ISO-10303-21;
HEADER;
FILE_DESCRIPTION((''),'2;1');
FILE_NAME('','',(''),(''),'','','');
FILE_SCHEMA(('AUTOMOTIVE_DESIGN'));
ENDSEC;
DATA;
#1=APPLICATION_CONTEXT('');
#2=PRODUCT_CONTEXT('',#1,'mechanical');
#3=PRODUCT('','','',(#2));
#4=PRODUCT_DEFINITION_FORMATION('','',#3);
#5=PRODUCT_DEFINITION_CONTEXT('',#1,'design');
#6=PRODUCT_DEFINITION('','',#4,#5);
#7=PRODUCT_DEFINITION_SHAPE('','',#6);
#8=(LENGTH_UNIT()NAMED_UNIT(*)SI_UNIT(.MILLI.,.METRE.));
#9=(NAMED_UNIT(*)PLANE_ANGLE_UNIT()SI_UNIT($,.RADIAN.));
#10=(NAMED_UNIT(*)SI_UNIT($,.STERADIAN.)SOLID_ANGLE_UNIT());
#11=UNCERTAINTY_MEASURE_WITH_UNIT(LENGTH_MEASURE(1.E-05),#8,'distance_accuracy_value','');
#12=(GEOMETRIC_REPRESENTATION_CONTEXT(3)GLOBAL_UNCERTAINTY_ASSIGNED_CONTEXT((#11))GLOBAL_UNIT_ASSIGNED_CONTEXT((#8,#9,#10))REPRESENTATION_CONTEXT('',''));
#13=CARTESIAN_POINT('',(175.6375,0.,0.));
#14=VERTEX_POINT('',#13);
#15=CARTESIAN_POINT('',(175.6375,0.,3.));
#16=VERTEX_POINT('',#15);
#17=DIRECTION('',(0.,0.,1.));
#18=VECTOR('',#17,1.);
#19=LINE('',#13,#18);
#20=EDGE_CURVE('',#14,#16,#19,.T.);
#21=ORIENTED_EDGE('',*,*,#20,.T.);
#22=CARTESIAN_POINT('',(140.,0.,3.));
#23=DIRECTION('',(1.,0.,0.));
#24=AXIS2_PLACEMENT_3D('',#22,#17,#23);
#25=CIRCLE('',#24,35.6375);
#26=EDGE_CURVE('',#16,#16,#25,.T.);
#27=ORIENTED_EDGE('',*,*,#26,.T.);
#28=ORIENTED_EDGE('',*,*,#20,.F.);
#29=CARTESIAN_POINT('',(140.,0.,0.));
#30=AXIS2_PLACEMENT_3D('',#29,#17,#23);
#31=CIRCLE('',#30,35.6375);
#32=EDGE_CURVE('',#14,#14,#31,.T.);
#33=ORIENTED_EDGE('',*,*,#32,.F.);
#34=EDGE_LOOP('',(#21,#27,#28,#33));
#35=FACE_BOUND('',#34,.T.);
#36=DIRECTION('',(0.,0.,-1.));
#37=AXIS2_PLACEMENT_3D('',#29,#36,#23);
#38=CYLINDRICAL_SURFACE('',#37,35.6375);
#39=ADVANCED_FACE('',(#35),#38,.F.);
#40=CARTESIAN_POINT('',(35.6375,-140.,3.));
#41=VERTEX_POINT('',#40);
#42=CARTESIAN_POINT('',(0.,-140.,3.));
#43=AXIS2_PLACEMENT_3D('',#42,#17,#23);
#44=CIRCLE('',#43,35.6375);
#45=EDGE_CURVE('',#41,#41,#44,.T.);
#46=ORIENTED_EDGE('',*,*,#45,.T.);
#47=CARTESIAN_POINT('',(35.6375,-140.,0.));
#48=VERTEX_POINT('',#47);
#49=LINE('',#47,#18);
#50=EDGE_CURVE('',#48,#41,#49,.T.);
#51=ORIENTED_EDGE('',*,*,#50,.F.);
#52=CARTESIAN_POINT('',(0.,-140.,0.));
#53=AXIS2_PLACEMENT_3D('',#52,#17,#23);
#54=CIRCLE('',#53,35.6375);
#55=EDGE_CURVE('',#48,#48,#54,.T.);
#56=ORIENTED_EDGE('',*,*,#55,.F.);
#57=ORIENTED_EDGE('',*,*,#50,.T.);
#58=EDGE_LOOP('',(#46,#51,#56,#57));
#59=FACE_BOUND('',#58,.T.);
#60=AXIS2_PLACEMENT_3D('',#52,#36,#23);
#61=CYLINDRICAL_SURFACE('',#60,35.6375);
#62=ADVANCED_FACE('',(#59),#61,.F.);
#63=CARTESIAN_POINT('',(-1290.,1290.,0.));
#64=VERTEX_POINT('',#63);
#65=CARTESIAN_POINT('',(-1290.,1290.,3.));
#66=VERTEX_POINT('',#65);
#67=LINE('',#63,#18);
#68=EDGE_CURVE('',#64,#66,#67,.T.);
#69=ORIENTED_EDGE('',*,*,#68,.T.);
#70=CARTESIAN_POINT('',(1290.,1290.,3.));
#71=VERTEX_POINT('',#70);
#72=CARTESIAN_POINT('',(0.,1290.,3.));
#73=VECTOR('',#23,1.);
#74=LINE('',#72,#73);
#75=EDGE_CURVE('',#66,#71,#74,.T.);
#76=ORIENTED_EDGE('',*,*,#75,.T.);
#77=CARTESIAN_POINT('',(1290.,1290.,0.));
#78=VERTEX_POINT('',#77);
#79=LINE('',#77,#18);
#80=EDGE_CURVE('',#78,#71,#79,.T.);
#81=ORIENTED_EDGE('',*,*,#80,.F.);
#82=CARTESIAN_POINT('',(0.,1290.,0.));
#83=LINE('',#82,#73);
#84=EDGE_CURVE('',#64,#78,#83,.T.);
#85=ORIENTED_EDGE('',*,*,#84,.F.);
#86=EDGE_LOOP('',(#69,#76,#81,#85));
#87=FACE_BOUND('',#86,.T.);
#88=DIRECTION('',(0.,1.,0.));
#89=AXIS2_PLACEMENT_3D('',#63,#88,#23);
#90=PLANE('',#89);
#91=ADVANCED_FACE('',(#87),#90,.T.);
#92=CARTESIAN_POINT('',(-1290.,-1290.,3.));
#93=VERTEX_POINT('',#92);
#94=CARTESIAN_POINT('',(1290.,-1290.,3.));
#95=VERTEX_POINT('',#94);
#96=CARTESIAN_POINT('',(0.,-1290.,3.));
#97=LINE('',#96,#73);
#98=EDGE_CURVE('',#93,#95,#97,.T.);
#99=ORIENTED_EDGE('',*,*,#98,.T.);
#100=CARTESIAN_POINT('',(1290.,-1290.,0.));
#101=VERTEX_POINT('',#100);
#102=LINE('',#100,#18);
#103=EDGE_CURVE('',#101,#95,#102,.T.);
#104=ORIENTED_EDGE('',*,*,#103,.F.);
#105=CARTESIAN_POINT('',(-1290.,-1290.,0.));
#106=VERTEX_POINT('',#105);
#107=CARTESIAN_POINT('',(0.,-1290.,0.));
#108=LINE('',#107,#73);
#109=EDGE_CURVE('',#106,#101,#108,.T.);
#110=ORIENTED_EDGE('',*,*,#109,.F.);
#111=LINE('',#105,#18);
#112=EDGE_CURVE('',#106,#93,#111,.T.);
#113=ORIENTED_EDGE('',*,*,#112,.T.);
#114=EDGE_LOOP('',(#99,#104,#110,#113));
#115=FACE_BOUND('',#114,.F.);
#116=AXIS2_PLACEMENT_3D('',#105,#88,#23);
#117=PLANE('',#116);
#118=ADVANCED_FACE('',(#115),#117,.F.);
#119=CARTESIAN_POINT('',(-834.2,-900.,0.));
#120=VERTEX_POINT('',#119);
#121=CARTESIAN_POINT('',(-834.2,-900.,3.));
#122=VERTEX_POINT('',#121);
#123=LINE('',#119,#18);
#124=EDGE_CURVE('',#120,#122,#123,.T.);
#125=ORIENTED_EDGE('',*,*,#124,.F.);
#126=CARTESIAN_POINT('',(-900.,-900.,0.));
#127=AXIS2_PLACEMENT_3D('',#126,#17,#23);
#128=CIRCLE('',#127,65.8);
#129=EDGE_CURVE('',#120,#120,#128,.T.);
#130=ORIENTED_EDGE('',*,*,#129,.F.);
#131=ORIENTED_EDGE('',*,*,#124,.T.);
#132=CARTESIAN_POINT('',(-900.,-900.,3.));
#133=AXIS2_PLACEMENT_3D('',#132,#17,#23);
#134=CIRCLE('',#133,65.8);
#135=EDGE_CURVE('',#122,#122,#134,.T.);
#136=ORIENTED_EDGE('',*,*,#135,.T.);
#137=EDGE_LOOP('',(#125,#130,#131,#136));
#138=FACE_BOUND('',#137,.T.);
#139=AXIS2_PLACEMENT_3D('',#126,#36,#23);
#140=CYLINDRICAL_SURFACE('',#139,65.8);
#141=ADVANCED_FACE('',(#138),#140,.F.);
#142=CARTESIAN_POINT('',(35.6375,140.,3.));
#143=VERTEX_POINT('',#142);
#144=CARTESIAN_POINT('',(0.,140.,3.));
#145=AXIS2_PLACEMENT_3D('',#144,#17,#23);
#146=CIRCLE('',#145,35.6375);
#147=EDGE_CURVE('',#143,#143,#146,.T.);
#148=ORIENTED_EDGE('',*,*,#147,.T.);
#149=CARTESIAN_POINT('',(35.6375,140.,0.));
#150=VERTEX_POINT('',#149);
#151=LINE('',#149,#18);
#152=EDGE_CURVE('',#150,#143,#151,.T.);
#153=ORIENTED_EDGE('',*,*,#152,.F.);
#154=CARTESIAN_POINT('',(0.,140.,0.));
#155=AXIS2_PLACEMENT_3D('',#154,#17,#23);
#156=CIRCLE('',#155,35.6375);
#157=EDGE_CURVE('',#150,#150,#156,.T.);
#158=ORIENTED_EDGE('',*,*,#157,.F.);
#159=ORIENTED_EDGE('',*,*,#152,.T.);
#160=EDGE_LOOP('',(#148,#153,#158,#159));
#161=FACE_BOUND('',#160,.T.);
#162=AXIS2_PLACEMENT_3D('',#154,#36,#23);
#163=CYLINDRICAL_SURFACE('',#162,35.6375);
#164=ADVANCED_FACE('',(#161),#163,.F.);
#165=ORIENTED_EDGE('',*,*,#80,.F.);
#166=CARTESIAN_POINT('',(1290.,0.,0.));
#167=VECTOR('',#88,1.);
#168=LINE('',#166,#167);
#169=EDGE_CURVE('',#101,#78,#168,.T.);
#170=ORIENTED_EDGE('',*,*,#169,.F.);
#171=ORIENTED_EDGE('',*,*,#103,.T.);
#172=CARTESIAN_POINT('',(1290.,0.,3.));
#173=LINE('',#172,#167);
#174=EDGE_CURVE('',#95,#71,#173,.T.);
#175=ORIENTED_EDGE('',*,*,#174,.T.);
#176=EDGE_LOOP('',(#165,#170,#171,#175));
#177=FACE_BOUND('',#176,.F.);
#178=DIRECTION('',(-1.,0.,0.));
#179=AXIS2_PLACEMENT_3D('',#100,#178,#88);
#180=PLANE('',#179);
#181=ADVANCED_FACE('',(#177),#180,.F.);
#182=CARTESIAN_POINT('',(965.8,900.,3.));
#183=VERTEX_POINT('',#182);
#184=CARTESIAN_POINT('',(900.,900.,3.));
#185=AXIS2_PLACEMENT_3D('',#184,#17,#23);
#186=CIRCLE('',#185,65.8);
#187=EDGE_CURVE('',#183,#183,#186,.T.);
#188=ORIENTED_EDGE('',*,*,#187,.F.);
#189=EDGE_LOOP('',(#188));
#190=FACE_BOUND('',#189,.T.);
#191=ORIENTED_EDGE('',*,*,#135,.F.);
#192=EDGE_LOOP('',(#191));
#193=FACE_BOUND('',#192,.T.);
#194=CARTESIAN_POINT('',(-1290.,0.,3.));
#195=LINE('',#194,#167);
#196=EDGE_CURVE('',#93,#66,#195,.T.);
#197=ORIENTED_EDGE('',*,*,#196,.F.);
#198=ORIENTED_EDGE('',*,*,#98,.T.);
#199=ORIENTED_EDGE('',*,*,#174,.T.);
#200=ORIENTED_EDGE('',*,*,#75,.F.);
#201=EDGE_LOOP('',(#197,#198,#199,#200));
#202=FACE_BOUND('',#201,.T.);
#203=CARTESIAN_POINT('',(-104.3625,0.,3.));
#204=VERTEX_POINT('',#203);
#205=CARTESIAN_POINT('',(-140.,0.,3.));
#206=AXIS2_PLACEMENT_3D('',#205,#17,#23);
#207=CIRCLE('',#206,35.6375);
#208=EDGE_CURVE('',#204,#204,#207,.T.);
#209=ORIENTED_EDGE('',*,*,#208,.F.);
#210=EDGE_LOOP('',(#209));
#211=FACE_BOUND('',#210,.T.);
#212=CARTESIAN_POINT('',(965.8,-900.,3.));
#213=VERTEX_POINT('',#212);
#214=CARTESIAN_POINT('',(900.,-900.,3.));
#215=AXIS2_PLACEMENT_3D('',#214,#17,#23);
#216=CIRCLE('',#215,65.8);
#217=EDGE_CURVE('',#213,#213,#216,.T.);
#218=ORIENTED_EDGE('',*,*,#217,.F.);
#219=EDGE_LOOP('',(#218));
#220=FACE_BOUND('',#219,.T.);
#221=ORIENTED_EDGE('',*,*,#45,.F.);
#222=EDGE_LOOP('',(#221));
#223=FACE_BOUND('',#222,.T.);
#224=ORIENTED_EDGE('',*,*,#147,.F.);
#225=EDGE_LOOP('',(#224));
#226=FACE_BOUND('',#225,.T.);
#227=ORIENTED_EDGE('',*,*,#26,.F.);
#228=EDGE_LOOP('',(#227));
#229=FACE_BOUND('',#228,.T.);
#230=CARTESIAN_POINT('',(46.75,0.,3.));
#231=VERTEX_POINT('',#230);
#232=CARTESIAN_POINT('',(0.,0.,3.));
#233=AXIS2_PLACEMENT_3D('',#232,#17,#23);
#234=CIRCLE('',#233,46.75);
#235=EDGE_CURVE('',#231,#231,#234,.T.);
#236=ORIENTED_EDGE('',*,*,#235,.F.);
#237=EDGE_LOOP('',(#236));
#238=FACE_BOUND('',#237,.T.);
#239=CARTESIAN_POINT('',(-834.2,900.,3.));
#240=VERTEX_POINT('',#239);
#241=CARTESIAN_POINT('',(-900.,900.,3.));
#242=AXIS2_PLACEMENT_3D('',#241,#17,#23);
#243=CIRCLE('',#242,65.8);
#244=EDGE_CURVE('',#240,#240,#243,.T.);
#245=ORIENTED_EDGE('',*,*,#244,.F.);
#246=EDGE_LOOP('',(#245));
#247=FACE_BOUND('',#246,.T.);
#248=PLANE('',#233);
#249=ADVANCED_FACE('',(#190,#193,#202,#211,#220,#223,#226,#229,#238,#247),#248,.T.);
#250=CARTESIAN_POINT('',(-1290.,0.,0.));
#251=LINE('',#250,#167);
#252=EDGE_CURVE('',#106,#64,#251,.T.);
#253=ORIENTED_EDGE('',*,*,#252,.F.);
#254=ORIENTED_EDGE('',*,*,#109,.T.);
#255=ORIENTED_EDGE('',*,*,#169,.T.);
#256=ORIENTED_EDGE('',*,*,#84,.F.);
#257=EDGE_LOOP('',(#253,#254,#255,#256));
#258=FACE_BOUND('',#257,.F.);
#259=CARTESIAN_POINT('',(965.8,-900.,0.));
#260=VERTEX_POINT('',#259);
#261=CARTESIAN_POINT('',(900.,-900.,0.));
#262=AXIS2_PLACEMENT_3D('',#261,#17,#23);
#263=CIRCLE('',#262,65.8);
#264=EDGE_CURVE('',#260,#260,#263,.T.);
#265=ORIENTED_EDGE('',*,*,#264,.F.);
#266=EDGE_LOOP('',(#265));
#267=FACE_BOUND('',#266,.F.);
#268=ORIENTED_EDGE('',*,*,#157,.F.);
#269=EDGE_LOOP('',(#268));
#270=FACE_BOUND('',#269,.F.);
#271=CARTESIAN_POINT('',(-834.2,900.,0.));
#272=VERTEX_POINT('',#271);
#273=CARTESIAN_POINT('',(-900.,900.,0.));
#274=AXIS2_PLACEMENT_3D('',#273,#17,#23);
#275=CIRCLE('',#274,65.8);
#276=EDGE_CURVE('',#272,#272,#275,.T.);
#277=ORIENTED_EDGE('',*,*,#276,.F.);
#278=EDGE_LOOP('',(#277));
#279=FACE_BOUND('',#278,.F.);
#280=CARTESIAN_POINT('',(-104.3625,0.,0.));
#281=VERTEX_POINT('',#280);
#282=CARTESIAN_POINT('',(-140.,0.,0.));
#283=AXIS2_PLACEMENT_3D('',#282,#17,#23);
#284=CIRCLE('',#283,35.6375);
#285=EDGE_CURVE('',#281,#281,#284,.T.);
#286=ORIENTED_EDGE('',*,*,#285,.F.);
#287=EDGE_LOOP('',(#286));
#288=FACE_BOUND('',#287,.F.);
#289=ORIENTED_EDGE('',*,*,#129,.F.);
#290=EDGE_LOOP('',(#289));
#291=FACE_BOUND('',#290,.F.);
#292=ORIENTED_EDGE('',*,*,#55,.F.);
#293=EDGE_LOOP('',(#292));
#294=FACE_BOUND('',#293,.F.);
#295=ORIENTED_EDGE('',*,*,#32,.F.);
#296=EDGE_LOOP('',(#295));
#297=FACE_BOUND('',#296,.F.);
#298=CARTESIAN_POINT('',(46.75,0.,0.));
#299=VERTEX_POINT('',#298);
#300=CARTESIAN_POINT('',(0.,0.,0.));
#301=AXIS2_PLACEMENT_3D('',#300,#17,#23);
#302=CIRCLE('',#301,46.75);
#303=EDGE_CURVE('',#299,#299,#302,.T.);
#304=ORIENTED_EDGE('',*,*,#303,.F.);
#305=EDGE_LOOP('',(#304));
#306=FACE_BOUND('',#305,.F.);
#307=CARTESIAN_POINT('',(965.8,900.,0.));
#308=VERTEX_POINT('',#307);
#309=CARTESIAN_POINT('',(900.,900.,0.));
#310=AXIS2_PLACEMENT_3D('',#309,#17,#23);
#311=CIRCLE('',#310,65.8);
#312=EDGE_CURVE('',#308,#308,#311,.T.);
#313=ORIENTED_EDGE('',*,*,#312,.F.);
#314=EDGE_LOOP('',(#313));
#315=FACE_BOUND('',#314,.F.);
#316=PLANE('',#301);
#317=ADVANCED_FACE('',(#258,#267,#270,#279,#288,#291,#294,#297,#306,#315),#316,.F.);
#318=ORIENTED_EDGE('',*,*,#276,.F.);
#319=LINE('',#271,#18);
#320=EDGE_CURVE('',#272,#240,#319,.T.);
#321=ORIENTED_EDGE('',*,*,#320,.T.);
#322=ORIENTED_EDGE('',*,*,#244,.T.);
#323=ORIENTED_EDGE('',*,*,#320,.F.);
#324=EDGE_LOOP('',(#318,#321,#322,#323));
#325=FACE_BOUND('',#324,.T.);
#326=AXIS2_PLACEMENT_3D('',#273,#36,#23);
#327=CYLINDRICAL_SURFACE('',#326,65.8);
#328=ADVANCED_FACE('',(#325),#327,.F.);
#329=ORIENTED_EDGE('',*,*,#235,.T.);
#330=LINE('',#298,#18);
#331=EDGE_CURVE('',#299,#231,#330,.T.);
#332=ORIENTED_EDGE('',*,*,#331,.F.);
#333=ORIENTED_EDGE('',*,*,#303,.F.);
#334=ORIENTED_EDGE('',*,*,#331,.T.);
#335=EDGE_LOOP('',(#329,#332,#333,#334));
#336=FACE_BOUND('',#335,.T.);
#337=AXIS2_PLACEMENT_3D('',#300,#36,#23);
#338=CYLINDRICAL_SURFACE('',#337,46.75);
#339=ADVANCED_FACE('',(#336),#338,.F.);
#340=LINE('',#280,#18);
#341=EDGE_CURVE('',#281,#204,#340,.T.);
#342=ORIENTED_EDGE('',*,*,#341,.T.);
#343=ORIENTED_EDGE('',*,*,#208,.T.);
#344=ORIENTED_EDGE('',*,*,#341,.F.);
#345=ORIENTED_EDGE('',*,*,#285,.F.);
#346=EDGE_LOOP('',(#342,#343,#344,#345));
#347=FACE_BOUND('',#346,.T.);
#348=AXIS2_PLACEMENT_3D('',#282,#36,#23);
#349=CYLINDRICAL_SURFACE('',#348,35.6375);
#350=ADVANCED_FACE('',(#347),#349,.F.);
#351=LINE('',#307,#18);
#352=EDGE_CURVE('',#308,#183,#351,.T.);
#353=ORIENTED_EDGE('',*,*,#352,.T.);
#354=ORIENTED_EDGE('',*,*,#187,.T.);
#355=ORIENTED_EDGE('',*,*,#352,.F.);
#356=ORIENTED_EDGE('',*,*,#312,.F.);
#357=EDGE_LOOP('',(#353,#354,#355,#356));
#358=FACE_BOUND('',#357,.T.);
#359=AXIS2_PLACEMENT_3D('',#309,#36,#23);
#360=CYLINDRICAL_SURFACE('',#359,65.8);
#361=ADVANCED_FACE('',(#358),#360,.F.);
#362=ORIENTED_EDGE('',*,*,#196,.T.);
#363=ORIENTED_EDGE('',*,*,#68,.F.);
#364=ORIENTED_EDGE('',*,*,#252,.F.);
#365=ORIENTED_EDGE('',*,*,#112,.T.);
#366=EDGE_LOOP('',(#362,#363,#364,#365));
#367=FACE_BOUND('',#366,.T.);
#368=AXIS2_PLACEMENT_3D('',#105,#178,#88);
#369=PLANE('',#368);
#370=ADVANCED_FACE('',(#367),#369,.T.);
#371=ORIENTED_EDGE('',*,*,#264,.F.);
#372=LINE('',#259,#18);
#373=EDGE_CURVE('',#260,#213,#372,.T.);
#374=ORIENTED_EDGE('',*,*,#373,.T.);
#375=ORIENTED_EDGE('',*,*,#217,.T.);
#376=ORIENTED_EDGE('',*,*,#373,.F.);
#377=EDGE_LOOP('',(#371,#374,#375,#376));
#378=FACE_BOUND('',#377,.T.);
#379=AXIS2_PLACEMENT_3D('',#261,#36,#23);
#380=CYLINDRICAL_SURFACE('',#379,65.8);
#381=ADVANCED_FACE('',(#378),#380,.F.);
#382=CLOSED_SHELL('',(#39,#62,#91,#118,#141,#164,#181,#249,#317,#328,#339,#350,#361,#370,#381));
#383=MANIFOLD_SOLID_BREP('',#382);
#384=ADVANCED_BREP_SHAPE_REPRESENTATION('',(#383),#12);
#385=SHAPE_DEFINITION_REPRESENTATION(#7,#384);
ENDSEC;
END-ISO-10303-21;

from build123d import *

# Parameters (mm, degrees)
SKETCH1_W           = 2580
SKETCH1_H           = 2580
SKETCH1_R           = 46.75
SKETCH1_R_2         = 35.6375
SKETCH1_R_3         = 65.8
BOSS_EXTRUDE1_DEPTH = 3


with BuildPart() as part:
    # Sketch1 → Boss-Extrude1 (new body)
    with BuildSketch(Plane.XY):
        Rectangle(SKETCH1_W, SKETCH1_H)
        Circle(SKETCH1_R, mode=Mode.SUBTRACT)
        with Locations((0, 140)):
            Circle(SKETCH1_R_2, mode=Mode.SUBTRACT)
        with Locations((-900, 900)):
            Circle(SKETCH1_R_3, mode=Mode.SUBTRACT)
        with Locations((900, 900)):
            Circle(SKETCH1_R_3, mode=Mode.SUBTRACT)
        with Locations((140, 0)):
            Circle(SKETCH1_R_2, mode=Mode.SUBTRACT)
        with Locations((900, -900)):
            Circle(SKETCH1_R_3, mode=Mode.SUBTRACT)
        with Locations((-900, -900)):
            Circle(SKETCH1_R_3, mode=Mode.SUBTRACT)
        with Locations((0, -140)):
            Circle(SKETCH1_R_2, mode=Mode.SUBTRACT)
        with Locations((-140, 0)):
            Circle(SKETCH1_R_2, mode=Mode.SUBTRACT)
    extrude(amount=BOSS_EXTRUDE1_DEPTH)


solid = part.part
